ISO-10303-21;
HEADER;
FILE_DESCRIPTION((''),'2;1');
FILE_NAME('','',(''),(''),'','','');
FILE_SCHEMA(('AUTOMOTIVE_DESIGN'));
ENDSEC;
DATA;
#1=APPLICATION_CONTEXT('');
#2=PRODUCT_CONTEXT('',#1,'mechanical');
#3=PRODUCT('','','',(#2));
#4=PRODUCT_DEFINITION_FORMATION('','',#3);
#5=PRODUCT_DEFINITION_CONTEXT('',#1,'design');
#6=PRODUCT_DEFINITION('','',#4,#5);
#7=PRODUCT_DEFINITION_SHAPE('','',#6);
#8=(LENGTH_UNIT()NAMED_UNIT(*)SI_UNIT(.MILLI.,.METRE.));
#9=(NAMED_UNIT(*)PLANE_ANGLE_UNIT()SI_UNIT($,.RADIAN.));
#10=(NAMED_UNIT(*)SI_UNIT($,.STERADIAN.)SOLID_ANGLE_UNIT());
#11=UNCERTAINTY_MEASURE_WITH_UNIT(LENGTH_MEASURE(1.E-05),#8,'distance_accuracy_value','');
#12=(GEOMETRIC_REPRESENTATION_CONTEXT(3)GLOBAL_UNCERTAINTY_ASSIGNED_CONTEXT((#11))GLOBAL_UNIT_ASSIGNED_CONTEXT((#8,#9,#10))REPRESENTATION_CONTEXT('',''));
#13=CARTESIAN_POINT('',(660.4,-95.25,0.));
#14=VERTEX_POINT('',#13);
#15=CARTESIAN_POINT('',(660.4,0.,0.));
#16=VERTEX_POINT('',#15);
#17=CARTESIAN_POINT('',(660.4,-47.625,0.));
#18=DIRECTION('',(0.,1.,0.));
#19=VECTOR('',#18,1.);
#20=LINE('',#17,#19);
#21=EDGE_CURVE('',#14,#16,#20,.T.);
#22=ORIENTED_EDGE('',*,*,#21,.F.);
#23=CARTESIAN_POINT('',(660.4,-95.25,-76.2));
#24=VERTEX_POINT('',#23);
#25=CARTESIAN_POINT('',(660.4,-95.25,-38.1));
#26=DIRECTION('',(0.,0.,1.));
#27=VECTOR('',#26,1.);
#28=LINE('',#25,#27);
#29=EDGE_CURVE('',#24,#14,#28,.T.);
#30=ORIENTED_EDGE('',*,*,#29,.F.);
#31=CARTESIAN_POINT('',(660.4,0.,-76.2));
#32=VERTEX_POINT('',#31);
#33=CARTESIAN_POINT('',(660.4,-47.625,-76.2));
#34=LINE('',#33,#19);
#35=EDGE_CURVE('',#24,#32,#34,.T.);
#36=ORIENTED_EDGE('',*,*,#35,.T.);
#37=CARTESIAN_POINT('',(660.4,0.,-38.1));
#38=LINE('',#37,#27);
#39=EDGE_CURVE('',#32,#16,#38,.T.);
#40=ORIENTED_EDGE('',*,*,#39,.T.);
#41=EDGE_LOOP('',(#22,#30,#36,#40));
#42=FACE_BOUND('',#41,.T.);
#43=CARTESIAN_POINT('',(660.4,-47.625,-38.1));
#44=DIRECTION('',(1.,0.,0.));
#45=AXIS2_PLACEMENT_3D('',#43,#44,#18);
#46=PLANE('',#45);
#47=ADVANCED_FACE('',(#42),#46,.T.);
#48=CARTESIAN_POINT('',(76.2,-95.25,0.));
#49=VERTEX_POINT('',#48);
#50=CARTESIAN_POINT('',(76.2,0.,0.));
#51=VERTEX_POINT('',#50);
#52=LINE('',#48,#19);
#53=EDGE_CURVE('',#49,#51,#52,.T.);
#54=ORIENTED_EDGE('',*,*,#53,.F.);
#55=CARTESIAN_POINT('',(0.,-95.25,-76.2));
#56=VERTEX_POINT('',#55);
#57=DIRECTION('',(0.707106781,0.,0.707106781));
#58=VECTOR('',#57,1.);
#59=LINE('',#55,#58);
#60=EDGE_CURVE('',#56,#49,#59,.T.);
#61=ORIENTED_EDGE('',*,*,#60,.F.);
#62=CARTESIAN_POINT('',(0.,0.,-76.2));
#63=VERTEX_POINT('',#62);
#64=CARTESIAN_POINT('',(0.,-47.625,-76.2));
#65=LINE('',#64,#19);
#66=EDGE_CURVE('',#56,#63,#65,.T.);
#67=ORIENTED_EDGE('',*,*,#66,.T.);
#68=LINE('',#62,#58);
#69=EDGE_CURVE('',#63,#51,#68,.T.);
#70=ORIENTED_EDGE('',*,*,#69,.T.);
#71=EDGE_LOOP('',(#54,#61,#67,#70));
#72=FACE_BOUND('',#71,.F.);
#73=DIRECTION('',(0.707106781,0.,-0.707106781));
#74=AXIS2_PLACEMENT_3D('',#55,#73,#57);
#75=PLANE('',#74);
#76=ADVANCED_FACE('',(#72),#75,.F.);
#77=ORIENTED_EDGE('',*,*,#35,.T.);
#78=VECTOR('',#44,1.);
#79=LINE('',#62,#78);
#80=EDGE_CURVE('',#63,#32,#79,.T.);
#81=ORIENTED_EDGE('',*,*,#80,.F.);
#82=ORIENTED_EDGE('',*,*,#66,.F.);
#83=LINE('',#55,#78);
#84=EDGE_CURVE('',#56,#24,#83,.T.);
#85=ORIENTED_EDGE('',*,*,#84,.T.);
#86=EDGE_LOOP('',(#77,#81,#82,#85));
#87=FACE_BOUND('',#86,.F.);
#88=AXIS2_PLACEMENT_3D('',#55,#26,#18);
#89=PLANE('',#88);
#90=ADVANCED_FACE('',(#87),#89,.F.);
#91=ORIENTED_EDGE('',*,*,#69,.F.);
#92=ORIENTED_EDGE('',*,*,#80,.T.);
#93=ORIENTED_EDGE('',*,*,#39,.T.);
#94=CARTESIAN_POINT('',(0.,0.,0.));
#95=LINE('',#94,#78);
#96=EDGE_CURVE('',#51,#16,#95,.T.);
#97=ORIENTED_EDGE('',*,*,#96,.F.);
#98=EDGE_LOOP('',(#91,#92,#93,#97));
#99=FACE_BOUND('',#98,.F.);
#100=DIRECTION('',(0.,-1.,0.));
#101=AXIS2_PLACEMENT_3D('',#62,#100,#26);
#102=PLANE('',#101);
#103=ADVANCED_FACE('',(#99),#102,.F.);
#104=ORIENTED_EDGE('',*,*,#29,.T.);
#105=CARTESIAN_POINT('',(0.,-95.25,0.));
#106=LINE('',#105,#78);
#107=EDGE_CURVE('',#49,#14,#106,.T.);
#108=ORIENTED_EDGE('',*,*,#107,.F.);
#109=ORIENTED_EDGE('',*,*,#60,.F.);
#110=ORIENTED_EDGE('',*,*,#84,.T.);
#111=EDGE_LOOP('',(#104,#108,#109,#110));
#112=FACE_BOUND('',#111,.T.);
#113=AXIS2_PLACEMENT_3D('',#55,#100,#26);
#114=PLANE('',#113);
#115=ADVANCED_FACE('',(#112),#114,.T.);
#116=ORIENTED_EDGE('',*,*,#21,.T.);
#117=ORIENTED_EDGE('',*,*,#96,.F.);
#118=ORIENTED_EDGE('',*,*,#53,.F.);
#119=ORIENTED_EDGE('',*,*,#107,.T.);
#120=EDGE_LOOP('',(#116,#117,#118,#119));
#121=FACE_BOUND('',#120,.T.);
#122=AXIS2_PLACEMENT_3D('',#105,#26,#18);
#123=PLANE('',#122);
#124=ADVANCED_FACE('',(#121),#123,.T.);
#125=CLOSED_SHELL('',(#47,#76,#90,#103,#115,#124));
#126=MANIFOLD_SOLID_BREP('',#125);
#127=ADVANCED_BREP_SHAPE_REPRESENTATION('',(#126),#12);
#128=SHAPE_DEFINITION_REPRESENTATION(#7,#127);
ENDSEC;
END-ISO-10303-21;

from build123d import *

# Parameters (mm, degrees)
F0_W     = 95.25
F0_H     = 76.2
F1_DEPTH = 660.4
F3_DEPTH = 95.251


with BuildPart() as f1:
    # F0 (on Right) → F1 (new body)
    with BuildSketch(Plane.YZ):
        with Locations((-47.625, -38.1)):
            Rectangle(F0_W, F0_H)
    extrude(amount=F1_DEPTH)

    # F2 (on face) → F3 (cut, through all)
    with BuildSketch(Plane.XZ.offset(95.25)):
        Polygon((0, 0), (0, -76.2), (76.2, 0), align=None)
    extrude(amount=-F3_DEPTH, mode=Mode.SUBTRACT)


solid = f1.part
